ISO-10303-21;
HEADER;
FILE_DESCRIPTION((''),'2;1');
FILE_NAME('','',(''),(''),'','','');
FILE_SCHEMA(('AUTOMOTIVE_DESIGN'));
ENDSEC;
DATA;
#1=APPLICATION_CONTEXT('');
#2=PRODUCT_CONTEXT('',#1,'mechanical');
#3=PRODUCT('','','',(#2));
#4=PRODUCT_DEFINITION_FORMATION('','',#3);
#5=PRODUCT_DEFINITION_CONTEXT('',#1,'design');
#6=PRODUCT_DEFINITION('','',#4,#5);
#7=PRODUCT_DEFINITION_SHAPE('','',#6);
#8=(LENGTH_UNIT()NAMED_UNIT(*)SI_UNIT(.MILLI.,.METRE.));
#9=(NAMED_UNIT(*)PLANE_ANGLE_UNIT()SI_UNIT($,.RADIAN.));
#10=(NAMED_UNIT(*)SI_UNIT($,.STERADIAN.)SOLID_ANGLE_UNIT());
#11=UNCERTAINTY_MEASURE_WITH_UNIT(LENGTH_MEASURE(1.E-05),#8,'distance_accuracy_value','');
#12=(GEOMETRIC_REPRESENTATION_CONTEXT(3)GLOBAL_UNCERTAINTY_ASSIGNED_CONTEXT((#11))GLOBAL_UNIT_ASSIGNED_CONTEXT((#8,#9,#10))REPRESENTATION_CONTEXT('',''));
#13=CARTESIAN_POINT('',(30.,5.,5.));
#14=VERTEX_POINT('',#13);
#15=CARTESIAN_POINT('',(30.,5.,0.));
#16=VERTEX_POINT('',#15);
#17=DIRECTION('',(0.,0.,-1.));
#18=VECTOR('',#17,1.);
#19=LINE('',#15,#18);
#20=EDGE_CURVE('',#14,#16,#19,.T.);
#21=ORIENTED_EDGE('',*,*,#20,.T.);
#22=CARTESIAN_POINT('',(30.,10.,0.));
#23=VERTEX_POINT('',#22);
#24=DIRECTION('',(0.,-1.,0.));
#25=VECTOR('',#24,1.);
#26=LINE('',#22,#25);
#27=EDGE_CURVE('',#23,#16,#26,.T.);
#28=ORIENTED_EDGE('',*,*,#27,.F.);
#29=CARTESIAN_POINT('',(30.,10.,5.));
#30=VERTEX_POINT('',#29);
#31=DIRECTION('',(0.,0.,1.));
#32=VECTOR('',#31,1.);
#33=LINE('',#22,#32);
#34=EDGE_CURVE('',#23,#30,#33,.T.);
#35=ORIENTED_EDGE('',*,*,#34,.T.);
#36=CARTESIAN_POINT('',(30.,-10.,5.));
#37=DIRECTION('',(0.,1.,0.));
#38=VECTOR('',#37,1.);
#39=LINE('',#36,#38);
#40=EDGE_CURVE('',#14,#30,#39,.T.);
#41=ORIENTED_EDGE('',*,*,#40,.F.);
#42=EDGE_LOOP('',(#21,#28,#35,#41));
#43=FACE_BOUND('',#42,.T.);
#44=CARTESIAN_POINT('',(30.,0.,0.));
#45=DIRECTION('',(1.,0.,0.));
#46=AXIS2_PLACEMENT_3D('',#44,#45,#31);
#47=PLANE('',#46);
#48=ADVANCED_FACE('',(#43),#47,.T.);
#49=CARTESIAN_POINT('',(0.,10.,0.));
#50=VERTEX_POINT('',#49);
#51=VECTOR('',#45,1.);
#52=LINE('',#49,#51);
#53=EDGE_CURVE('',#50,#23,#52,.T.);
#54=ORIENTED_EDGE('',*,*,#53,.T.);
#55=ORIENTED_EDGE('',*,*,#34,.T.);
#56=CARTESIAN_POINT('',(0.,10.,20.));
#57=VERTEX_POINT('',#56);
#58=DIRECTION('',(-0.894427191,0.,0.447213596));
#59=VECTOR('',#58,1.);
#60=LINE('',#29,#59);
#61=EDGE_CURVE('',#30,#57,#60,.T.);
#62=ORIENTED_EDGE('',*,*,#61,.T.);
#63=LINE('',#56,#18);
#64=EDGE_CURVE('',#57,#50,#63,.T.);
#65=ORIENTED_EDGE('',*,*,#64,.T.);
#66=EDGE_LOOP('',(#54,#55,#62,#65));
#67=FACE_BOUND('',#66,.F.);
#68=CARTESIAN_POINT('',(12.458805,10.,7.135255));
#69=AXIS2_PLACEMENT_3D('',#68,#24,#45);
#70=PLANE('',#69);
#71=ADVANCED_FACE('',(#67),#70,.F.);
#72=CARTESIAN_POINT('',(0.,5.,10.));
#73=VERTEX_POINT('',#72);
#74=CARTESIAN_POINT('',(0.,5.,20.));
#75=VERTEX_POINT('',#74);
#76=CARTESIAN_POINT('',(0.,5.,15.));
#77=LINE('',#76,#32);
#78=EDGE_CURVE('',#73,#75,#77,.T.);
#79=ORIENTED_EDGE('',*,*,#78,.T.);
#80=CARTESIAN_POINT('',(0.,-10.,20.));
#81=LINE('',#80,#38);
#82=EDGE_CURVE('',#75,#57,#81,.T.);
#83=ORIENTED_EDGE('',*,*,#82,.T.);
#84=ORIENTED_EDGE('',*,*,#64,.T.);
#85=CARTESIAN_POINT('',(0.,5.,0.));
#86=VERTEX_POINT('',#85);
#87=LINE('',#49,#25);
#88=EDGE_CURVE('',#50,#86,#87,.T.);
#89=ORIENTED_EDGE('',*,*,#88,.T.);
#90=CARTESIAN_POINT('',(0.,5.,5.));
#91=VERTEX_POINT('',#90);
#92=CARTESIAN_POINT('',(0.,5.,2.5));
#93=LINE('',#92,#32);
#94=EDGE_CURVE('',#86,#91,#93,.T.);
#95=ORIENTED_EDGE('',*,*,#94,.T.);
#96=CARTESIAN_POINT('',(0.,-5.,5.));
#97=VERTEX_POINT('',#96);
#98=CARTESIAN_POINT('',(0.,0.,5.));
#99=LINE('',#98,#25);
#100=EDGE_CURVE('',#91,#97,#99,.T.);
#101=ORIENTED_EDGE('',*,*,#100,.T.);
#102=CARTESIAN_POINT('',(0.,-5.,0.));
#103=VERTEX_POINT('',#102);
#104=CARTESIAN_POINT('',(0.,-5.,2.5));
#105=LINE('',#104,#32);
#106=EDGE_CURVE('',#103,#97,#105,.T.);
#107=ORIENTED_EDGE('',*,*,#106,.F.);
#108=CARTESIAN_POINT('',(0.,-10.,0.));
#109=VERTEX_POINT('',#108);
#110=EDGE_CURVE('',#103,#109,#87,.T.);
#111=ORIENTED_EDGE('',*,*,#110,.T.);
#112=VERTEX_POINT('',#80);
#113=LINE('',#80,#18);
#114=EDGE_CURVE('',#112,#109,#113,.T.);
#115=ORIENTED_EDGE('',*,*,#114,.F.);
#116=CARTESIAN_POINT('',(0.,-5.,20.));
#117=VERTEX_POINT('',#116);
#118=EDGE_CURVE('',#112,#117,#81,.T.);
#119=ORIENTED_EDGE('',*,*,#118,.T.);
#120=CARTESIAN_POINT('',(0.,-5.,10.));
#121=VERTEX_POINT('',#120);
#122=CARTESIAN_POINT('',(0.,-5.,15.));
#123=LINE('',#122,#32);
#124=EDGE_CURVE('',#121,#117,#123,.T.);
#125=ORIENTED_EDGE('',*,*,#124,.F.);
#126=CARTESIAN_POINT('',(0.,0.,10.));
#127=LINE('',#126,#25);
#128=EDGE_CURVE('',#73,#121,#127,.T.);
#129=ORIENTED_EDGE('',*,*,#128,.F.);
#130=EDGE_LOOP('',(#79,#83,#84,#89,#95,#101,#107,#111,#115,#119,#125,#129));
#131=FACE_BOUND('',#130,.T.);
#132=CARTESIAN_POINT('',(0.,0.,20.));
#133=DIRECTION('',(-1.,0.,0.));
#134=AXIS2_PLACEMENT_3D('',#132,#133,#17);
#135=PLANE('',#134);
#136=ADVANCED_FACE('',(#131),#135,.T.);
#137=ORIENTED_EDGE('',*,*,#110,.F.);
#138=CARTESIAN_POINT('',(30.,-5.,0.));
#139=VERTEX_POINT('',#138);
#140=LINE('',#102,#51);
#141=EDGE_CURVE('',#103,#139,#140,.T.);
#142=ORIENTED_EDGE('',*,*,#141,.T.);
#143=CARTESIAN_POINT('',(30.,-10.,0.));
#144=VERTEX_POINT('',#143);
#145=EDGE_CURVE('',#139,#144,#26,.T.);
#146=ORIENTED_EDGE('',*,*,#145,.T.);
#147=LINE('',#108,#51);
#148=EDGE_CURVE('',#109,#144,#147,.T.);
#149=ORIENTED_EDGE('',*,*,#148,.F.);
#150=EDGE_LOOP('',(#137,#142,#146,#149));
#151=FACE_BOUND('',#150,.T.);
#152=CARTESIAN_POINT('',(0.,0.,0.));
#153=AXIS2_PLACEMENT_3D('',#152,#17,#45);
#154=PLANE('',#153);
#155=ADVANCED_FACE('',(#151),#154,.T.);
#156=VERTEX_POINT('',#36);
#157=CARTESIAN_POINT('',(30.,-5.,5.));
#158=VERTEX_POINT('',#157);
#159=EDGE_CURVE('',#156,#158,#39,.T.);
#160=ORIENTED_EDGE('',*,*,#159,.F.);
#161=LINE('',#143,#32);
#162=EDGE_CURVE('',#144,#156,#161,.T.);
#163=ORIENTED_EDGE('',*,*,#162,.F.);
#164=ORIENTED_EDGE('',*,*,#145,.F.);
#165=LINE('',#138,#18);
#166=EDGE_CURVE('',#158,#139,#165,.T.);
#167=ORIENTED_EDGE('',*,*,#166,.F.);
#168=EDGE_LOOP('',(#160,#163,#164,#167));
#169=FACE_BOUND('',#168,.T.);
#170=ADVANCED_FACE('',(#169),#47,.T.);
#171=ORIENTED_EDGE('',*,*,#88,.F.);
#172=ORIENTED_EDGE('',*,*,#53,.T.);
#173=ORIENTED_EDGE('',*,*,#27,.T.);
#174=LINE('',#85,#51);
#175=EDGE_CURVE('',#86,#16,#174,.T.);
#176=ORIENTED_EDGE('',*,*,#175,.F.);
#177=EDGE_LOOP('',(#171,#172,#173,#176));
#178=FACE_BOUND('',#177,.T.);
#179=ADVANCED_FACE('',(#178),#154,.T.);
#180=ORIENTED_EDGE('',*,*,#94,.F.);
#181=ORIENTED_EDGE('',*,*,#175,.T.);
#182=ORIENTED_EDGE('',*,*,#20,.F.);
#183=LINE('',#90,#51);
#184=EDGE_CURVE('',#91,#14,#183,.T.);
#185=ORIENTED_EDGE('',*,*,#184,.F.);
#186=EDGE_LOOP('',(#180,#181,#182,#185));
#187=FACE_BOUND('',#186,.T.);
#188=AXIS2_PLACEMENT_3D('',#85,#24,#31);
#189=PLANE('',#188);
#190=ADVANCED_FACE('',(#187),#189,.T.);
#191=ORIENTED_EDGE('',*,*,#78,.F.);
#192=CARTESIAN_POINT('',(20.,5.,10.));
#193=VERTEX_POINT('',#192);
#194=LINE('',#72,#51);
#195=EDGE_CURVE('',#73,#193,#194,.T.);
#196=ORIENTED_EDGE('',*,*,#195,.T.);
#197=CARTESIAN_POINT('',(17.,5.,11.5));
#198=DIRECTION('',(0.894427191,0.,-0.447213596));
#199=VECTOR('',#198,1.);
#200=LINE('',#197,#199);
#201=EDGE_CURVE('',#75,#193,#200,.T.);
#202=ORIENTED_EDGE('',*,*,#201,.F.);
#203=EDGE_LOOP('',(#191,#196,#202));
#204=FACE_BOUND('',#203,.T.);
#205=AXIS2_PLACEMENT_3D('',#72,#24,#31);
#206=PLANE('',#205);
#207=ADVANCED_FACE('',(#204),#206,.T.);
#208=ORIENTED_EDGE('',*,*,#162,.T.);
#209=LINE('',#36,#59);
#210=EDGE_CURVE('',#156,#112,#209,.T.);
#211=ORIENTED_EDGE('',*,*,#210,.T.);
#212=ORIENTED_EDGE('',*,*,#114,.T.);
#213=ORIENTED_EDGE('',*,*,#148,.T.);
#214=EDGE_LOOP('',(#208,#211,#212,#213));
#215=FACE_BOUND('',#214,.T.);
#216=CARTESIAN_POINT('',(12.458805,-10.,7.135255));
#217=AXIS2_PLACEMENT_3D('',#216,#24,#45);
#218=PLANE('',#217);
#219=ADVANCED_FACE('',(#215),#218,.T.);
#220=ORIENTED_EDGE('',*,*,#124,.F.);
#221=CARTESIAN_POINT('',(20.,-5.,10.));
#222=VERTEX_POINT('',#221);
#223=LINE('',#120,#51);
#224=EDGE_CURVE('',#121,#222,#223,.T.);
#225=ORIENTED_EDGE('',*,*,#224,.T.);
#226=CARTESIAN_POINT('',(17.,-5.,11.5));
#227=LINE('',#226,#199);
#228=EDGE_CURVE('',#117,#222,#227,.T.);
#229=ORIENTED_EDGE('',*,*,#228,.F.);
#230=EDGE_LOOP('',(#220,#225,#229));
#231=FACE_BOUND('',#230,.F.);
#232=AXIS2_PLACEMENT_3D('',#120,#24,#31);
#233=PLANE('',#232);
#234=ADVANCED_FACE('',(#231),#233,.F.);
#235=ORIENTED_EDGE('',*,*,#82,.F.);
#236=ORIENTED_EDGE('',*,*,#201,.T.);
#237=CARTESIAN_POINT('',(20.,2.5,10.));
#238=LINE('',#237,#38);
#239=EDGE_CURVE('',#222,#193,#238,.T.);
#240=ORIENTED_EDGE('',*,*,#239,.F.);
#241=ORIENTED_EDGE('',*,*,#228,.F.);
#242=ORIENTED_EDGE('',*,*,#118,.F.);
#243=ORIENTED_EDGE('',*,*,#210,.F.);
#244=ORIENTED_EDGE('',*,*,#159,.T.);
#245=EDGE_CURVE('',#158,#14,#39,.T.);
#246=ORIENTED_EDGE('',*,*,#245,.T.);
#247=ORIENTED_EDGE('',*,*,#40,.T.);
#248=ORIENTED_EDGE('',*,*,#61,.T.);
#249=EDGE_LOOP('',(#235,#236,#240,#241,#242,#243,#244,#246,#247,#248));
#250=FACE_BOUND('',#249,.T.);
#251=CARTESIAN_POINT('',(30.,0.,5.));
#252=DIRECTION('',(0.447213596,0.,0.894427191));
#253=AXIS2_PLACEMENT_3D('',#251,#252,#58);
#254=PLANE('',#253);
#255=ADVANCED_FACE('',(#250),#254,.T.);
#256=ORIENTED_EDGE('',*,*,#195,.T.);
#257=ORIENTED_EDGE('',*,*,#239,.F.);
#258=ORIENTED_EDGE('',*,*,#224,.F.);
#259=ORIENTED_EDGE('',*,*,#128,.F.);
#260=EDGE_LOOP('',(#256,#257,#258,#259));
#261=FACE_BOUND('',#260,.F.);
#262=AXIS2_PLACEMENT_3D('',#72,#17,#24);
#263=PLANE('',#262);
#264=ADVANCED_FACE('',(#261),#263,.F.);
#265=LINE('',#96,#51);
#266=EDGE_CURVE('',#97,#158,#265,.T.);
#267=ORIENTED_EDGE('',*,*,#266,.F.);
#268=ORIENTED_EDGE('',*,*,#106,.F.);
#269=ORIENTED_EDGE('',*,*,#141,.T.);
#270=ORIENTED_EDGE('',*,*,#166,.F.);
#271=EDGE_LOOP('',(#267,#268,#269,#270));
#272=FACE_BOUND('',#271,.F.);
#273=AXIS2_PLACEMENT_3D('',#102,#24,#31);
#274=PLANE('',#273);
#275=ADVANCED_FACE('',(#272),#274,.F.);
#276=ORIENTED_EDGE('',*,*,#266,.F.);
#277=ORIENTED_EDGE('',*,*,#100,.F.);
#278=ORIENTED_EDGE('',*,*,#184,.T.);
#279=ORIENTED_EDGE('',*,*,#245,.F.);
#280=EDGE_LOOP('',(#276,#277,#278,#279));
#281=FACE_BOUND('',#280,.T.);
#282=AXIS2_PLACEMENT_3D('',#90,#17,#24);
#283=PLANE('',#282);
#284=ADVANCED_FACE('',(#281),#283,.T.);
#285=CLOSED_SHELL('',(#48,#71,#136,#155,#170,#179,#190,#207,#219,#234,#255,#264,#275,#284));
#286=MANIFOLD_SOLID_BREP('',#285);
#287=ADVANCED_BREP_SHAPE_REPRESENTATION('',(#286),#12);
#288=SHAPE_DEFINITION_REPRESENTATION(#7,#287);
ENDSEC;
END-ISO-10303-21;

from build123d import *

# Parameters (mm, degrees)
F1_DEPTH = 10
F2_W     = 10
F2_H     = 10
F2_H_2   = 5
F3_DEPTH = 30.001


with BuildPart() as f1:
    # F0 (on Front) → F1 (new body, symmetric)
    with BuildSketch(Plane.XZ):
        Polygon((0, 20), (0, 0), (30, 0), (30, 5), align=None)
    extrude(amount=F1_DEPTH, both=True)

    # F2 (on face) → F3 (cut, through all)
    with BuildSketch(Plane(origin=(0, 0, 0), x_dir=(0, -1, 0), z_dir=(-1, 0, 0))):
        with Locations((0, 15)):
            Rectangle(F2_W, F2_H)
        with Locations((0, 2.5)):
            Rectangle(F2_W, F2_H_2)
    extrude(amount=-F3_DEPTH, mode=Mode.SUBTRACT)


solid = f1.part
